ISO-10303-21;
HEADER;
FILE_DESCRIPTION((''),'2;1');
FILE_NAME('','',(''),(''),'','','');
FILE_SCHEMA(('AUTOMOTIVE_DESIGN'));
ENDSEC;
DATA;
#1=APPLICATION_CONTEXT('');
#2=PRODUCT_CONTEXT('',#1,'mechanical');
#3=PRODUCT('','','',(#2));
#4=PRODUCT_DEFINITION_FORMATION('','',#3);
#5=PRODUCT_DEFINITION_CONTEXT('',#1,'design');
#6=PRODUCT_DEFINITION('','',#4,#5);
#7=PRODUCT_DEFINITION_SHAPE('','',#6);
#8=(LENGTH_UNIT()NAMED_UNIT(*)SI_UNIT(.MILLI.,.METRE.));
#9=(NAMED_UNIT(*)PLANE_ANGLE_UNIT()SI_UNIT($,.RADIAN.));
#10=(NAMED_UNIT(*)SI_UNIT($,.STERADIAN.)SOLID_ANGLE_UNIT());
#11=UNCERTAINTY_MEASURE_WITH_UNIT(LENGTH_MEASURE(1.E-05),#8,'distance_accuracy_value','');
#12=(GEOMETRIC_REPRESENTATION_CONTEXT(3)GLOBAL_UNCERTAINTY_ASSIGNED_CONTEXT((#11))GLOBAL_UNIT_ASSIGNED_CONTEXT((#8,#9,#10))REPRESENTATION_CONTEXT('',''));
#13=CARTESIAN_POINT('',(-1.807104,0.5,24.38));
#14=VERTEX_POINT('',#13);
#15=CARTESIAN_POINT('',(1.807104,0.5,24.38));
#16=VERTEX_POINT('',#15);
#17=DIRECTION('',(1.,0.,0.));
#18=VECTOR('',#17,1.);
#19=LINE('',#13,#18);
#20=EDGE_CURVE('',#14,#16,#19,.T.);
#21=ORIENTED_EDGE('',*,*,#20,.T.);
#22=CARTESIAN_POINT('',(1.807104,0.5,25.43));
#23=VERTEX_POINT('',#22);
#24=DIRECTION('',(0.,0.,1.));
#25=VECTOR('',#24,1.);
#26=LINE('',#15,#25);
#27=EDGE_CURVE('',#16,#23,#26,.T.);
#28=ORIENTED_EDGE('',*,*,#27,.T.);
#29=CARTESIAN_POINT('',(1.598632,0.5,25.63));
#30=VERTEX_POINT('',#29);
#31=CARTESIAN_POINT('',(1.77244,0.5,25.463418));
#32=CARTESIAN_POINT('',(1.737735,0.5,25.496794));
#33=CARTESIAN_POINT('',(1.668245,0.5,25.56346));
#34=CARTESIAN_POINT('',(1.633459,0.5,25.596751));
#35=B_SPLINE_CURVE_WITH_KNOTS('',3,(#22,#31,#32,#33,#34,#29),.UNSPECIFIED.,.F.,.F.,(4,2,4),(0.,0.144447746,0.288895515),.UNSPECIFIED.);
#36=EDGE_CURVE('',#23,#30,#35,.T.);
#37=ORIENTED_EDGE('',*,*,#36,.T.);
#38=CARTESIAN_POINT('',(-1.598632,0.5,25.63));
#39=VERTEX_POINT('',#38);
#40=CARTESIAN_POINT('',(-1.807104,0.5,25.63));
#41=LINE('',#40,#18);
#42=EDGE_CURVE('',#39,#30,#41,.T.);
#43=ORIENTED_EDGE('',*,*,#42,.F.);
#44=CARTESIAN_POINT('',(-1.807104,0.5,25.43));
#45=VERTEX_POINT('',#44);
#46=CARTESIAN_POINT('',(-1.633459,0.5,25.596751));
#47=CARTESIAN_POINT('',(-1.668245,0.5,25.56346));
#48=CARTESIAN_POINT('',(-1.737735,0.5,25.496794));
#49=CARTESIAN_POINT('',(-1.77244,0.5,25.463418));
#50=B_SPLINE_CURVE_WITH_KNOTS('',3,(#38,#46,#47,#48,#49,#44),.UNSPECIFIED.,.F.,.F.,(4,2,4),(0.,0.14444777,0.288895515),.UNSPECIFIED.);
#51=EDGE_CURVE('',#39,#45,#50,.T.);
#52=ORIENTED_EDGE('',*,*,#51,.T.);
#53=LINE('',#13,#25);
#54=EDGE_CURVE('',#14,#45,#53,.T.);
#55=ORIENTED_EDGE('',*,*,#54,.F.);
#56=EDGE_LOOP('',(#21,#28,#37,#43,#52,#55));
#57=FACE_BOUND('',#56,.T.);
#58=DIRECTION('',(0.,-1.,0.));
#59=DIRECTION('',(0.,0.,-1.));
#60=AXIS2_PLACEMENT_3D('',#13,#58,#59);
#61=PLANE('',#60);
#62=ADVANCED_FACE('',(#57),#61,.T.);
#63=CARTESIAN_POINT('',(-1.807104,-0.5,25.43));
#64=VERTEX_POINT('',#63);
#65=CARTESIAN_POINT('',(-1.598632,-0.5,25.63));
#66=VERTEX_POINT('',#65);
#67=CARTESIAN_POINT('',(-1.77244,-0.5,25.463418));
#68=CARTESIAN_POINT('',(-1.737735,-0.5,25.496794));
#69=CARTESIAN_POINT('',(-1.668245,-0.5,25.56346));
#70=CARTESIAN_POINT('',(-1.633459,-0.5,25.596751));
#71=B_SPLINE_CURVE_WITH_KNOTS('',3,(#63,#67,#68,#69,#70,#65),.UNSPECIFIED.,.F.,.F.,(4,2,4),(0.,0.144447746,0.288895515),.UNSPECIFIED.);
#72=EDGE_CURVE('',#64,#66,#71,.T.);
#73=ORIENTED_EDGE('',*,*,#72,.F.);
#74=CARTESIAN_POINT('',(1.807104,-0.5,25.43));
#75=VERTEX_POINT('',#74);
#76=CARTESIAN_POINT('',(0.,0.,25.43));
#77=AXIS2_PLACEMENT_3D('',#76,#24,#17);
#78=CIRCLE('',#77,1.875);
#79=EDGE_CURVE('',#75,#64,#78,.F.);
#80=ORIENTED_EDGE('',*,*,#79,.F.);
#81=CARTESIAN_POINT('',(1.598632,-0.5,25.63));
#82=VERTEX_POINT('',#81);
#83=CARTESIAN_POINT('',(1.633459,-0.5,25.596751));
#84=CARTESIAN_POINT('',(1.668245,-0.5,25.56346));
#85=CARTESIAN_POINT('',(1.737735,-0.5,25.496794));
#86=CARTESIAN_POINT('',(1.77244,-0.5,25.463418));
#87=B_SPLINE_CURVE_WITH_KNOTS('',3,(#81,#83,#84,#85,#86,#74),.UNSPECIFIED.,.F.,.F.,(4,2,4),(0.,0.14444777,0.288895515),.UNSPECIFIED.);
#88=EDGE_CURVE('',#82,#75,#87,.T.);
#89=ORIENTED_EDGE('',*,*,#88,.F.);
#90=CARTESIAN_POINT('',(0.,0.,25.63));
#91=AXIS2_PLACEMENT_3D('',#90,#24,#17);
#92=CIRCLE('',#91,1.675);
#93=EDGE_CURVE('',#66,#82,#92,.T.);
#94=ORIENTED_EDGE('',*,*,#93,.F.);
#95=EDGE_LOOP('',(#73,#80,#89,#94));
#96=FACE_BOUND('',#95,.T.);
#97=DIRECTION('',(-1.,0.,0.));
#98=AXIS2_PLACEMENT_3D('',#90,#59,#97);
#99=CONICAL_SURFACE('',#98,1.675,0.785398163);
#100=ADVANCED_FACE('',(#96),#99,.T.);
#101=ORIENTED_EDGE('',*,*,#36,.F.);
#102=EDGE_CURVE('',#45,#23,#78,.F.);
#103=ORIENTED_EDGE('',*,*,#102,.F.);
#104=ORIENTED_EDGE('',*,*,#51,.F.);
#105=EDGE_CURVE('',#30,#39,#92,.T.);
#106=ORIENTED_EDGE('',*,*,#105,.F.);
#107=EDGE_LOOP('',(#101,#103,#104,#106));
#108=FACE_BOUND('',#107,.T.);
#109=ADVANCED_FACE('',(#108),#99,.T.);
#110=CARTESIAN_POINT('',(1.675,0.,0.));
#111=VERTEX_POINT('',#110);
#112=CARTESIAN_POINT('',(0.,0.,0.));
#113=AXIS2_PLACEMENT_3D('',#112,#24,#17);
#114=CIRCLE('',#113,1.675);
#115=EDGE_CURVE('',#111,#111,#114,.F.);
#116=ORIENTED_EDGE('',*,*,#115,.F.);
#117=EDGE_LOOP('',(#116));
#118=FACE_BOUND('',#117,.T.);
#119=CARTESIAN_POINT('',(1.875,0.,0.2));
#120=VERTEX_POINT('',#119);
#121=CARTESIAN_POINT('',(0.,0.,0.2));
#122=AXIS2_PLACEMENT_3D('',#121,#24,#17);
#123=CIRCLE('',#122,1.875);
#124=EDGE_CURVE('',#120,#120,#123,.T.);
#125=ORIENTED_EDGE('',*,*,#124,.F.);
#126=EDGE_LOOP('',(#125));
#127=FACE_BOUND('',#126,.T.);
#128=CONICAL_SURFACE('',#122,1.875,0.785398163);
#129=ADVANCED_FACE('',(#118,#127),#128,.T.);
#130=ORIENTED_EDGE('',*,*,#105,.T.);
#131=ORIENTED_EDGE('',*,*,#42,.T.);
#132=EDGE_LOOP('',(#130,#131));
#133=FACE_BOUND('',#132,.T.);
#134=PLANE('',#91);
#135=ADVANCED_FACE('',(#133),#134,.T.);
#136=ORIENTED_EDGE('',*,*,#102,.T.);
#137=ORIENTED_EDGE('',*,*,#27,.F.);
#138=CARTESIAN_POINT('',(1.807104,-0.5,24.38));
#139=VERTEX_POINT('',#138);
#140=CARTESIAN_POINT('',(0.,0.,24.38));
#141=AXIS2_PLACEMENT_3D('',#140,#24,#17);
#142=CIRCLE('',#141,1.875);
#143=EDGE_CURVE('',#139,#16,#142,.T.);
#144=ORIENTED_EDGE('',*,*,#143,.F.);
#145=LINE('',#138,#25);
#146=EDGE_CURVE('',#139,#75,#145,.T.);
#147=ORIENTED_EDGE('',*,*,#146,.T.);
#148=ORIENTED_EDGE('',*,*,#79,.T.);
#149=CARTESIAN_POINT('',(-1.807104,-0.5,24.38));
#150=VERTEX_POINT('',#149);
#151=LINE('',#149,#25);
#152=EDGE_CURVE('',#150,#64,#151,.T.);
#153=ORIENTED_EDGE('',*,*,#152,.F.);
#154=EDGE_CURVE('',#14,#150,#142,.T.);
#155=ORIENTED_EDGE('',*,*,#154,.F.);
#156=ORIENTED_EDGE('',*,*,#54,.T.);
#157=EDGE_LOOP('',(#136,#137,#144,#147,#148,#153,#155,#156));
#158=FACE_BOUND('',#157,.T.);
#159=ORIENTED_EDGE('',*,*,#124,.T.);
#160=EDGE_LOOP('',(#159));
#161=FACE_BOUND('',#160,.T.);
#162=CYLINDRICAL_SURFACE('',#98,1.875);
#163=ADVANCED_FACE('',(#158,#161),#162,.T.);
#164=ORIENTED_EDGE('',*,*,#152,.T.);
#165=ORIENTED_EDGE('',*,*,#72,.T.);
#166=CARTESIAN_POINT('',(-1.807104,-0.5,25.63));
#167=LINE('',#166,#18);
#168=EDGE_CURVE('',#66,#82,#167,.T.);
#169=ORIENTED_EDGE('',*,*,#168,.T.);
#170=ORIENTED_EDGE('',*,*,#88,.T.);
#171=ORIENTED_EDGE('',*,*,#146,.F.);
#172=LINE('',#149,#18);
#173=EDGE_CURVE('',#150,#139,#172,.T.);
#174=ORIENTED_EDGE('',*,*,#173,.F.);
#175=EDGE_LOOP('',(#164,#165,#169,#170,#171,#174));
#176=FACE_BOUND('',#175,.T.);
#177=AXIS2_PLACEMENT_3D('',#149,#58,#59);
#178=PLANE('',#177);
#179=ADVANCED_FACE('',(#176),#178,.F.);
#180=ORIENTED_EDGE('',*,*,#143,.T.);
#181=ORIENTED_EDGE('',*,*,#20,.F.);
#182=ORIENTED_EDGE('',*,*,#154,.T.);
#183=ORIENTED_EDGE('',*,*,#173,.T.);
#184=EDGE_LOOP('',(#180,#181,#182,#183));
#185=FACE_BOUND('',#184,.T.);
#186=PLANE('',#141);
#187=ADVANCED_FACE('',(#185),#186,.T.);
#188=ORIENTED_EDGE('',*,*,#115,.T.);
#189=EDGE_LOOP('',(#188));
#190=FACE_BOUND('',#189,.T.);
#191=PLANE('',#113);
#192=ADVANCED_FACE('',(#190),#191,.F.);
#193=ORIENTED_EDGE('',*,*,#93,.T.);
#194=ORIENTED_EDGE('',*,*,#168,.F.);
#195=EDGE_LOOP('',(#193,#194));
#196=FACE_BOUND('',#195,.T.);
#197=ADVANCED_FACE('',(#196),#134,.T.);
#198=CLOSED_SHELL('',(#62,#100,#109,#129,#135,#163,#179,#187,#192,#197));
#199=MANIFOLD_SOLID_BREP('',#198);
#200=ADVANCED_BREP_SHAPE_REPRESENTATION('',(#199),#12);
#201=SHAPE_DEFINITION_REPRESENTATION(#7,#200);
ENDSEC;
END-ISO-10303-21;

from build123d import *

# Parameters (mm, degrees)
BOSS_EXTRUDE1_DEPTH = 25.63
CUT_EXTRUDE1_DEPTH  = 1.25
CHAMFER1_SIZE       = 0.2
CHAMFER2_SIZE       = 0.2


with BuildPart() as part:
    # Sketch1 → Boss-Extrude1 (new body)
    with BuildSketch(Plane.XY):
        with BuildLine():
            ThreePointArc((1.807104037, 0.5), (0, 1.875), (-1.807104037, 0.5))
            Line((-1.807104037, 0.5), (1.807104037, 0.5))
        make_face()
        with BuildLine():
            Line((1.807104037, -0.5), (-1.807104037, -0.5))
            ThreePointArc((-1.807104037, -0.5), (0, -1.875), (1.807104037, -0.5))
        make_face()
        with BuildLine():
            Line((1.807104037, 0.5), (-1.807104037, 0.5))
            ThreePointArc((-1.807104037, 0.5), (-1.875, 0), (-1.807104037, -0.5))
            Line((-1.807104037, -0.5), (1.807104037, -0.5))
            ThreePointArc((1.807104037, -0.5), (1.857948475, -0.252294402), (1.875, 0))
            ThreePointArc((1.875, 0), (1.857948475, 0.252294402), (1.807104037, 0.5))
        make_face()
    extrude(amount=BOSS_EXTRUDE1_DEPTH)

    # Sketch2 → Cut-Extrude1 (cut)
    with BuildSketch(Plane.XY.offset(25.63)):
        with BuildLine():
            Line((-1.807104037, 0.5), (1.807104037, 0.5))
            ThreePointArc((1.807104037, 0.5), (1.875, 0), (1.807104037, -0.5))
            Line((1.807104037, -0.5), (-1.807104037, -0.5))
            ThreePointArc((-1.807104037, -0.5), (-1.875, 0), (-1.807104037, 0.5))
        make_face()
    extrude(amount=-CUT_EXTRUDE1_DEPTH, mode=Mode.SUBTRACT)

    # Chamfer1
    chamfer1_edges = [part.edges().sort_by_distance(p)[0] for p in [
        (0, 1.875, 25.63),
        (0, -1.875, 25.63),
    ]]
    chamfer(chamfer1_edges, length=CHAMFER1_SIZE)

    # Chamfer2
    chamfer2_edges = [part.edges().sort_by_distance(p)[0] for p in [
        (-1.807104037, 0.5, 0),
    ]]
    chamfer(chamfer2_edges, length=CHAMFER2_SIZE)


solid = part.part
